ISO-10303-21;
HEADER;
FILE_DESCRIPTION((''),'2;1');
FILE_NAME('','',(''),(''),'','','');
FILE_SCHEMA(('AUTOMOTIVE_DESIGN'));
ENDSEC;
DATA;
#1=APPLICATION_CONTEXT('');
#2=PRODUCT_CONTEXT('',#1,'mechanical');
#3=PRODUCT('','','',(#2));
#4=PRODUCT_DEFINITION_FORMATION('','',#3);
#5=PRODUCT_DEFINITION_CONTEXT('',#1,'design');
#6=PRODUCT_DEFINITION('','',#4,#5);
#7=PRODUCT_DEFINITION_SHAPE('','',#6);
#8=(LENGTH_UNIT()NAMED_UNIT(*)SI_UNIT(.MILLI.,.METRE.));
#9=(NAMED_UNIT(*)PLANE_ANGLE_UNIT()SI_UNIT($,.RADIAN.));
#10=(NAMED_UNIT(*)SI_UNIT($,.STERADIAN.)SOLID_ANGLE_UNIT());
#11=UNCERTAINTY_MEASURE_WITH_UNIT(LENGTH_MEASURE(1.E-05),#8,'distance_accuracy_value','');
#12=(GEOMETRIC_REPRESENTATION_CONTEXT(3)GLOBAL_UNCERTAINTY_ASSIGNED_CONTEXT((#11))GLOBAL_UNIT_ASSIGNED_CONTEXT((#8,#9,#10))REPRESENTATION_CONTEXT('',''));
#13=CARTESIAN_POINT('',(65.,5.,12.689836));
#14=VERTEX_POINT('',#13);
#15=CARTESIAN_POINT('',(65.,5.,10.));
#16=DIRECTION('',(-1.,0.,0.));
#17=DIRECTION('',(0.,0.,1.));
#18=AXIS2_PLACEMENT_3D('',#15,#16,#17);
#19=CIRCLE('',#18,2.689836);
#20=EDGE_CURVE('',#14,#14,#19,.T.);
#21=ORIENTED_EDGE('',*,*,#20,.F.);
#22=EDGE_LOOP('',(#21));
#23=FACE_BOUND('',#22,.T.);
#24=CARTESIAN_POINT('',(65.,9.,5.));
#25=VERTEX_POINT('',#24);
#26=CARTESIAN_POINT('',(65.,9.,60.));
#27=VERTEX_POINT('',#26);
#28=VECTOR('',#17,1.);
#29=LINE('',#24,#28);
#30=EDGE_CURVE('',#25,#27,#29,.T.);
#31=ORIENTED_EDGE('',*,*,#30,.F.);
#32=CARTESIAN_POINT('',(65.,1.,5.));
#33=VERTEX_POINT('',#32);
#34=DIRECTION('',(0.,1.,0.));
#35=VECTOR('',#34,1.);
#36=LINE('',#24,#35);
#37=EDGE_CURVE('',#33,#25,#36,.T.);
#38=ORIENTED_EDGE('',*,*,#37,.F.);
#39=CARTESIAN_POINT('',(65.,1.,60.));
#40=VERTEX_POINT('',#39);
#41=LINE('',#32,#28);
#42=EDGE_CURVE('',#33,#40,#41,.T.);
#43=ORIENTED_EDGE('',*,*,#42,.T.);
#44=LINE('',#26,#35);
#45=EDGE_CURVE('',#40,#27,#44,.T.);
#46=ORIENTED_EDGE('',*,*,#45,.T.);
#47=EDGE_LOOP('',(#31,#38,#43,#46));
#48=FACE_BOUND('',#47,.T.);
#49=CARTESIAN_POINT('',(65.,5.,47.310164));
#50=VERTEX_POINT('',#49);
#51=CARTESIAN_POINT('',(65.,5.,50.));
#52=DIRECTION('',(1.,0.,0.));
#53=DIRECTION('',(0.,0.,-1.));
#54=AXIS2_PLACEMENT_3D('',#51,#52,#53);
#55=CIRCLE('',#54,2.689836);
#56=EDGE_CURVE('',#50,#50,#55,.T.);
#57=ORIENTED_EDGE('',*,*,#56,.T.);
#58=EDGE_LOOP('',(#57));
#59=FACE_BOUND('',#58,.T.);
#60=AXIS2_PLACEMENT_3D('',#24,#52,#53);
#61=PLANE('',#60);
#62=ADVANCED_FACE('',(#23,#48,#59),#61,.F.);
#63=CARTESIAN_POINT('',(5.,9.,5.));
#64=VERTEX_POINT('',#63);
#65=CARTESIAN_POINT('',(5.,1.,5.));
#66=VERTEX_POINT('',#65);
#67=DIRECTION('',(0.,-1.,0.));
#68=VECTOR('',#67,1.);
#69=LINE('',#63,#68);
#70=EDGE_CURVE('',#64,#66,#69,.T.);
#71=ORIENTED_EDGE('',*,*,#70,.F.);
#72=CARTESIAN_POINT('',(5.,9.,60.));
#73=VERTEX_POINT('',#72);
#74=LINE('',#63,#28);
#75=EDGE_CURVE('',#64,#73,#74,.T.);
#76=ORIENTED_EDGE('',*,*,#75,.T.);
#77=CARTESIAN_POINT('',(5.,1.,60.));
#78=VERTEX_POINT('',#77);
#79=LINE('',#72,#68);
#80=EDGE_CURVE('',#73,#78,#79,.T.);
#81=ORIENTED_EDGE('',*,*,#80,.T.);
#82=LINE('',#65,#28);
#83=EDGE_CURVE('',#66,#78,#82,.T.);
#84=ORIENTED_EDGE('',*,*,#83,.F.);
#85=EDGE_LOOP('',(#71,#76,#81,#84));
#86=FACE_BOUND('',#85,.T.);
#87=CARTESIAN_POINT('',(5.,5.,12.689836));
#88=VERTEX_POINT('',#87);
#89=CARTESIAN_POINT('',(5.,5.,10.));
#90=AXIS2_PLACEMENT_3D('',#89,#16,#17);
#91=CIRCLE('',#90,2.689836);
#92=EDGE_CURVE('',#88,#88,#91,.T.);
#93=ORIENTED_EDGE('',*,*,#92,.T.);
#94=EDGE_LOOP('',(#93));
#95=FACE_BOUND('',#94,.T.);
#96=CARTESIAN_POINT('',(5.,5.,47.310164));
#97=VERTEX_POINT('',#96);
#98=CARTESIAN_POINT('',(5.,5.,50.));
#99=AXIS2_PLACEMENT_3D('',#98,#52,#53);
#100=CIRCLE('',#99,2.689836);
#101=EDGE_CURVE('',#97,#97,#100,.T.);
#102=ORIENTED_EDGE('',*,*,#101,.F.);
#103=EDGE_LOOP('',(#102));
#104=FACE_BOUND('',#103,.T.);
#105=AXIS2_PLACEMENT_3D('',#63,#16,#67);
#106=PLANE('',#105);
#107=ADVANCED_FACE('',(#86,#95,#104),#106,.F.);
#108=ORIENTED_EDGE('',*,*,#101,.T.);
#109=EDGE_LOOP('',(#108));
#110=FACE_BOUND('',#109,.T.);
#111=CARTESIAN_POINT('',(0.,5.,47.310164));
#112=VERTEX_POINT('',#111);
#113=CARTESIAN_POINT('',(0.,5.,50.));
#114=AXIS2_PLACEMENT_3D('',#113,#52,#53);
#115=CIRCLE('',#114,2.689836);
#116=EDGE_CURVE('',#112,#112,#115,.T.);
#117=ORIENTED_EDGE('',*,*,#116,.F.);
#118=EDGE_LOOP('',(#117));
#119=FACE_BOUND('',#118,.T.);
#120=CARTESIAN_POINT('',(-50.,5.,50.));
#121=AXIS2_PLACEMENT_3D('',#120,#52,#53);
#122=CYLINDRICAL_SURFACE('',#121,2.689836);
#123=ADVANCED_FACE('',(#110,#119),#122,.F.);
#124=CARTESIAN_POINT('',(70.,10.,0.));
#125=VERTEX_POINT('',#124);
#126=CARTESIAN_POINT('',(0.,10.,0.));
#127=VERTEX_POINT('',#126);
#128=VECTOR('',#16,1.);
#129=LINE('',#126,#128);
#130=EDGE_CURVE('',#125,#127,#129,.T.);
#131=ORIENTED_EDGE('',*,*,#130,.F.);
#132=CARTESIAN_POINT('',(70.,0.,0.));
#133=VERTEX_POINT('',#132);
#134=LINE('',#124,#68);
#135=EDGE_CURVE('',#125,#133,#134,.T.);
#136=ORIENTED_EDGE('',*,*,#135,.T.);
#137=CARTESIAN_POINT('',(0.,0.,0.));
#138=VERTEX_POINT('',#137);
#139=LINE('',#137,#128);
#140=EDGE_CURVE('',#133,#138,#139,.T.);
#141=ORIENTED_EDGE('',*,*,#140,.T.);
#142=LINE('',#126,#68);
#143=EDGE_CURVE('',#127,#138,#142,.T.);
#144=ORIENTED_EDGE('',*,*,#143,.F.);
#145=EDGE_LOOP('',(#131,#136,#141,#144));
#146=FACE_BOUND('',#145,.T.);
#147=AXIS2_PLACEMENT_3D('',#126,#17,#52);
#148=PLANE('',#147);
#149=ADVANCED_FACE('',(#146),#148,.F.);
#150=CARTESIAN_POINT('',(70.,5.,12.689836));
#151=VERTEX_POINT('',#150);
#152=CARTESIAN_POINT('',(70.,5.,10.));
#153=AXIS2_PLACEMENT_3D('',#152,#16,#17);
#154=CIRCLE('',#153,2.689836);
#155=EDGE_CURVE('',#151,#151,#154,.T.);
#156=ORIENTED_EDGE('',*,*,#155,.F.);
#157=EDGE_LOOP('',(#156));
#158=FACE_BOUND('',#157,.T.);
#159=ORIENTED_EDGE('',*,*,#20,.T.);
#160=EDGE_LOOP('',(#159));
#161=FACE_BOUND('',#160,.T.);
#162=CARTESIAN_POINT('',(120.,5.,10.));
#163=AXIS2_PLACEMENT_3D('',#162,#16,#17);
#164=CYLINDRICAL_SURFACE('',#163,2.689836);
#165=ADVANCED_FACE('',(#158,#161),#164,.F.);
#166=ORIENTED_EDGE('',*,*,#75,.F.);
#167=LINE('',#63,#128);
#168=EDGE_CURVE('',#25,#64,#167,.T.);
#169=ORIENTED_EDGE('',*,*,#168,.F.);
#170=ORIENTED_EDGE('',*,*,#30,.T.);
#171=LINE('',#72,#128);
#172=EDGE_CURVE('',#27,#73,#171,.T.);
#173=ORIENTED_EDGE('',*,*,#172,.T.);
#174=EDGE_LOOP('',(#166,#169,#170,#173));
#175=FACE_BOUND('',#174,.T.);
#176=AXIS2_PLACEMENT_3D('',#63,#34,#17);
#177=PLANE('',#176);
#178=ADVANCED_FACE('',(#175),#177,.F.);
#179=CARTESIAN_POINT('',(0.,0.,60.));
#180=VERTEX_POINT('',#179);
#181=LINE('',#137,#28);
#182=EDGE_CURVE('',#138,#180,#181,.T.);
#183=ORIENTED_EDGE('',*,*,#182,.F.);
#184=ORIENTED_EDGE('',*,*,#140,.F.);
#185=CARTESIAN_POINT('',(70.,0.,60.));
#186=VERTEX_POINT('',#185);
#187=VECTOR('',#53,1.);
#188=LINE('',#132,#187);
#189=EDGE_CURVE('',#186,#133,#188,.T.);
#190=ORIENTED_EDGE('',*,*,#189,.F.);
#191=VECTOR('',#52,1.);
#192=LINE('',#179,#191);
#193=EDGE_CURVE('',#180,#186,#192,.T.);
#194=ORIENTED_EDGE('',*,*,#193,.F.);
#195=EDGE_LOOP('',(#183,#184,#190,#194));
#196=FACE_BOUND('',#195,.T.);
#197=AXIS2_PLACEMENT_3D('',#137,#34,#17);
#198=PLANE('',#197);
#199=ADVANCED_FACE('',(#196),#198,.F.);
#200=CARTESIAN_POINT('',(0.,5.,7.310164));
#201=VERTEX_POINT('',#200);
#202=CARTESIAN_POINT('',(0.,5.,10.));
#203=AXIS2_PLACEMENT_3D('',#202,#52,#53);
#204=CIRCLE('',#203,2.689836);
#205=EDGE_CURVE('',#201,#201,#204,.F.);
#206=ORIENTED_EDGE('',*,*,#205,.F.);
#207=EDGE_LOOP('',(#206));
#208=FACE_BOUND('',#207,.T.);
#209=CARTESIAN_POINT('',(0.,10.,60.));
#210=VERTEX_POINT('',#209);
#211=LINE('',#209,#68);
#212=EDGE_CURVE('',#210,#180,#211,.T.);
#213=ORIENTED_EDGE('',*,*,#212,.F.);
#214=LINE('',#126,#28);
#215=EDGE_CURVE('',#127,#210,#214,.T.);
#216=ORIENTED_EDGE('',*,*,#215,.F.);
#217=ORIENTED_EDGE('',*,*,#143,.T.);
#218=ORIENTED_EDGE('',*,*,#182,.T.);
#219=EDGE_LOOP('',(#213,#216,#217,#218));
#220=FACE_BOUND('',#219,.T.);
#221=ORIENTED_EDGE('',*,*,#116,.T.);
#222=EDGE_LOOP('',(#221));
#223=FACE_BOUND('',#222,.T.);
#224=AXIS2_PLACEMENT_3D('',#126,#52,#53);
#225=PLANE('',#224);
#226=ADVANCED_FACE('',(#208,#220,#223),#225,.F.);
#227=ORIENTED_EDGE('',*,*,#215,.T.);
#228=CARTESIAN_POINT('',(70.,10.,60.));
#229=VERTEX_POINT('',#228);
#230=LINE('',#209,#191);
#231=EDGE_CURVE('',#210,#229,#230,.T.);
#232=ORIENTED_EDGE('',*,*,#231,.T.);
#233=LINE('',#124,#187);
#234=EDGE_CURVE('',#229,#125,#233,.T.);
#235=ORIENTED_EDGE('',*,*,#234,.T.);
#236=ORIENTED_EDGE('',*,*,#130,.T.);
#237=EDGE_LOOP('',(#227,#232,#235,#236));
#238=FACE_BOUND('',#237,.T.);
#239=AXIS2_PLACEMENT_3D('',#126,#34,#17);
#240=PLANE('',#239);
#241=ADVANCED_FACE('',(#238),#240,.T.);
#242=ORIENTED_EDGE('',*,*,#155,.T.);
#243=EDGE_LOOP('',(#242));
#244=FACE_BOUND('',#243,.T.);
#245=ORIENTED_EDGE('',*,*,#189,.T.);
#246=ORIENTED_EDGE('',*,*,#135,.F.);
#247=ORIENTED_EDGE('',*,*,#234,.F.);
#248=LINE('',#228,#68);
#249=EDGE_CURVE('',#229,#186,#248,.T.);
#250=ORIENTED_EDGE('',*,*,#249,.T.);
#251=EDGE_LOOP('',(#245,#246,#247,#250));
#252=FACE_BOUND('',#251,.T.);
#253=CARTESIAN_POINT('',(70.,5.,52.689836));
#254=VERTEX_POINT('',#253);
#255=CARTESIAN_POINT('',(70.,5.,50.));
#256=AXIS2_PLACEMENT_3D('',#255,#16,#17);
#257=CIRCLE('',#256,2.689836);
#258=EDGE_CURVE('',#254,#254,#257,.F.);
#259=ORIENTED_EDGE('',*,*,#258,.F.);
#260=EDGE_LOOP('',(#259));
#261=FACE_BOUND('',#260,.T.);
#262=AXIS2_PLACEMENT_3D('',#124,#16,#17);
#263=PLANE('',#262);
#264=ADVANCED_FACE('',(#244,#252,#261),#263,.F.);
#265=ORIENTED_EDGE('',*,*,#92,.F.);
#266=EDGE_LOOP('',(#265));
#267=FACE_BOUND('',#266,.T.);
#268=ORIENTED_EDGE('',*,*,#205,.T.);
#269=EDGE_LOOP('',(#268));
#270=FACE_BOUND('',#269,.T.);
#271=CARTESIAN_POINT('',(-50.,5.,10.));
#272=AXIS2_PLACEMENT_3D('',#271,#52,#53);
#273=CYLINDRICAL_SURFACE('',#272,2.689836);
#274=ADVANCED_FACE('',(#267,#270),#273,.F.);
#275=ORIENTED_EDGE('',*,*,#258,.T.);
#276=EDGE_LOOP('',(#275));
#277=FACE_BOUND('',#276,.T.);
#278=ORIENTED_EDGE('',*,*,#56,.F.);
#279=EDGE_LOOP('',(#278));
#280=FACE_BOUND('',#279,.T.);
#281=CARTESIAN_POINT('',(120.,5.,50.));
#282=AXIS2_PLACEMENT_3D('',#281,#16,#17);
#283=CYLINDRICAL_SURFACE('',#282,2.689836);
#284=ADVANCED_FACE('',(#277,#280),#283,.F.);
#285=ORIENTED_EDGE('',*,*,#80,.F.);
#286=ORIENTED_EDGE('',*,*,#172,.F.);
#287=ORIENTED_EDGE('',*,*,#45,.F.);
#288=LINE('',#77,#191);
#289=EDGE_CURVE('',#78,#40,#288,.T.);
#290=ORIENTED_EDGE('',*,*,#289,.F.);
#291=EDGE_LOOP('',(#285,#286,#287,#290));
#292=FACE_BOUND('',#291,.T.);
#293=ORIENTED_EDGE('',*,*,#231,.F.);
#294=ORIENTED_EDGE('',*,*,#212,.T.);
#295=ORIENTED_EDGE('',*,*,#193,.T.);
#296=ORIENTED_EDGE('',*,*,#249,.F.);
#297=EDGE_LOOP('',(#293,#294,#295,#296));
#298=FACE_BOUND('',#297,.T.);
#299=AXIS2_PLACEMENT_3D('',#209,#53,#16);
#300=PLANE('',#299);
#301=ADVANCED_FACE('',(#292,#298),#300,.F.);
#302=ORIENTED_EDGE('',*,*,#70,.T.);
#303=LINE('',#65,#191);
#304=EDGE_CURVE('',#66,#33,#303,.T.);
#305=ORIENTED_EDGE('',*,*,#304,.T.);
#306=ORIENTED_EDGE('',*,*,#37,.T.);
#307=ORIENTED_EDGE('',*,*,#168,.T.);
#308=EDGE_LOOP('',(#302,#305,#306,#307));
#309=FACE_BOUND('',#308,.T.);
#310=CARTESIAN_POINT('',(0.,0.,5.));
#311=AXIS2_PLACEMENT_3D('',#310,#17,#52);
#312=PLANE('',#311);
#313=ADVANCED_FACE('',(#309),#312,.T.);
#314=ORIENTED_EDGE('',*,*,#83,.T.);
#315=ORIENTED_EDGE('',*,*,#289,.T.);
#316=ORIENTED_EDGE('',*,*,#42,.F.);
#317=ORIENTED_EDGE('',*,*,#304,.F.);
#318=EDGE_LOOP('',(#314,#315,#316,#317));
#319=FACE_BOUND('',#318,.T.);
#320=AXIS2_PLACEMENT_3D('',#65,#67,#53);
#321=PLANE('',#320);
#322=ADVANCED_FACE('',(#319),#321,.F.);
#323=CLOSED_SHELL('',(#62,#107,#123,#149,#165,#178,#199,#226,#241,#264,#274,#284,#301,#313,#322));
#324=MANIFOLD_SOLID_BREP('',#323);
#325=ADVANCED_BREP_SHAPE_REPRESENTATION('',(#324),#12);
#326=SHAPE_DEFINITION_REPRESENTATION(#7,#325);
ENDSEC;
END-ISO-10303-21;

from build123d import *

# Parameters (mm, degrees)
SKETCH1_W               = 70
SKETCH1_H               = 60
BOSS_EXTRUDE1_DEPTH     = 10
SKETCH2_W               = 60
SKETCH2_H               = 8
CUT_EXTRUDE1_DEPTH      = 55
SKETCH3_R               = 2.68983582
CUT_EXTRUDE2_DEPTH      = 55
MIRROR2_COPY_1_SKETCH_R = 2.68983582
MIRROR2_COPY_1_DEPTH    = 55


with BuildPart() as part:
    # Sketch1 → Boss-Extrude1 (new body)
    with BuildSketch(Plane(origin=(0, 0, 0), x_dir=(1, 0, 0), z_dir=(0, 1, 0))):
        with Locations((35, -30)):
            Rectangle(SKETCH1_W, SKETCH1_H)
    extrude(amount=BOSS_EXTRUDE1_DEPTH)

    # Sketch2 → Cut-Extrude1 (cut)
    with BuildSketch(Plane.XY.offset(60)):
        with Locations((35, 5)):
            Rectangle(SKETCH2_W, SKETCH2_H)
    extrude(amount=-CUT_EXTRUDE1_DEPTH, mode=Mode.SUBTRACT)

    # Sketch3 → Cut-Extrude2 (cut)
    with BuildSketch(Plane.ZY.offset(-65)):
        with Locations((10, 5)):
            Circle(SKETCH3_R)
    cut_extrude2 = extrude(amount=-CUT_EXTRUDE2_DEPTH, mode=Mode.SUBTRACT)

    # Mirror1: Cut-Extrude2 across plane
    add(cut_extrude2.mirror(Plane.ZY.offset(-35)), mode=Mode.SUBTRACT)

    # Mirror2: Cut-Extrude2 across plane
    add(cut_extrude2.mirror(Plane.XY.offset(30)), mode=Mode.SUBTRACT)

    # Mirror2 copy 1 sketch → Mirror2 copy 1 (cut)
    with BuildSketch(Plane(origin=(5, 0, 60), x_dir=(0, 0, -1), z_dir=(1, 0, 0))):
        with Locations((10, 5)):
            Circle(MIRROR2_COPY_1_SKETCH_R)
    extrude(amount=-MIRROR2_COPY_1_DEPTH, mode=Mode.SUBTRACT)


solid = part.part
